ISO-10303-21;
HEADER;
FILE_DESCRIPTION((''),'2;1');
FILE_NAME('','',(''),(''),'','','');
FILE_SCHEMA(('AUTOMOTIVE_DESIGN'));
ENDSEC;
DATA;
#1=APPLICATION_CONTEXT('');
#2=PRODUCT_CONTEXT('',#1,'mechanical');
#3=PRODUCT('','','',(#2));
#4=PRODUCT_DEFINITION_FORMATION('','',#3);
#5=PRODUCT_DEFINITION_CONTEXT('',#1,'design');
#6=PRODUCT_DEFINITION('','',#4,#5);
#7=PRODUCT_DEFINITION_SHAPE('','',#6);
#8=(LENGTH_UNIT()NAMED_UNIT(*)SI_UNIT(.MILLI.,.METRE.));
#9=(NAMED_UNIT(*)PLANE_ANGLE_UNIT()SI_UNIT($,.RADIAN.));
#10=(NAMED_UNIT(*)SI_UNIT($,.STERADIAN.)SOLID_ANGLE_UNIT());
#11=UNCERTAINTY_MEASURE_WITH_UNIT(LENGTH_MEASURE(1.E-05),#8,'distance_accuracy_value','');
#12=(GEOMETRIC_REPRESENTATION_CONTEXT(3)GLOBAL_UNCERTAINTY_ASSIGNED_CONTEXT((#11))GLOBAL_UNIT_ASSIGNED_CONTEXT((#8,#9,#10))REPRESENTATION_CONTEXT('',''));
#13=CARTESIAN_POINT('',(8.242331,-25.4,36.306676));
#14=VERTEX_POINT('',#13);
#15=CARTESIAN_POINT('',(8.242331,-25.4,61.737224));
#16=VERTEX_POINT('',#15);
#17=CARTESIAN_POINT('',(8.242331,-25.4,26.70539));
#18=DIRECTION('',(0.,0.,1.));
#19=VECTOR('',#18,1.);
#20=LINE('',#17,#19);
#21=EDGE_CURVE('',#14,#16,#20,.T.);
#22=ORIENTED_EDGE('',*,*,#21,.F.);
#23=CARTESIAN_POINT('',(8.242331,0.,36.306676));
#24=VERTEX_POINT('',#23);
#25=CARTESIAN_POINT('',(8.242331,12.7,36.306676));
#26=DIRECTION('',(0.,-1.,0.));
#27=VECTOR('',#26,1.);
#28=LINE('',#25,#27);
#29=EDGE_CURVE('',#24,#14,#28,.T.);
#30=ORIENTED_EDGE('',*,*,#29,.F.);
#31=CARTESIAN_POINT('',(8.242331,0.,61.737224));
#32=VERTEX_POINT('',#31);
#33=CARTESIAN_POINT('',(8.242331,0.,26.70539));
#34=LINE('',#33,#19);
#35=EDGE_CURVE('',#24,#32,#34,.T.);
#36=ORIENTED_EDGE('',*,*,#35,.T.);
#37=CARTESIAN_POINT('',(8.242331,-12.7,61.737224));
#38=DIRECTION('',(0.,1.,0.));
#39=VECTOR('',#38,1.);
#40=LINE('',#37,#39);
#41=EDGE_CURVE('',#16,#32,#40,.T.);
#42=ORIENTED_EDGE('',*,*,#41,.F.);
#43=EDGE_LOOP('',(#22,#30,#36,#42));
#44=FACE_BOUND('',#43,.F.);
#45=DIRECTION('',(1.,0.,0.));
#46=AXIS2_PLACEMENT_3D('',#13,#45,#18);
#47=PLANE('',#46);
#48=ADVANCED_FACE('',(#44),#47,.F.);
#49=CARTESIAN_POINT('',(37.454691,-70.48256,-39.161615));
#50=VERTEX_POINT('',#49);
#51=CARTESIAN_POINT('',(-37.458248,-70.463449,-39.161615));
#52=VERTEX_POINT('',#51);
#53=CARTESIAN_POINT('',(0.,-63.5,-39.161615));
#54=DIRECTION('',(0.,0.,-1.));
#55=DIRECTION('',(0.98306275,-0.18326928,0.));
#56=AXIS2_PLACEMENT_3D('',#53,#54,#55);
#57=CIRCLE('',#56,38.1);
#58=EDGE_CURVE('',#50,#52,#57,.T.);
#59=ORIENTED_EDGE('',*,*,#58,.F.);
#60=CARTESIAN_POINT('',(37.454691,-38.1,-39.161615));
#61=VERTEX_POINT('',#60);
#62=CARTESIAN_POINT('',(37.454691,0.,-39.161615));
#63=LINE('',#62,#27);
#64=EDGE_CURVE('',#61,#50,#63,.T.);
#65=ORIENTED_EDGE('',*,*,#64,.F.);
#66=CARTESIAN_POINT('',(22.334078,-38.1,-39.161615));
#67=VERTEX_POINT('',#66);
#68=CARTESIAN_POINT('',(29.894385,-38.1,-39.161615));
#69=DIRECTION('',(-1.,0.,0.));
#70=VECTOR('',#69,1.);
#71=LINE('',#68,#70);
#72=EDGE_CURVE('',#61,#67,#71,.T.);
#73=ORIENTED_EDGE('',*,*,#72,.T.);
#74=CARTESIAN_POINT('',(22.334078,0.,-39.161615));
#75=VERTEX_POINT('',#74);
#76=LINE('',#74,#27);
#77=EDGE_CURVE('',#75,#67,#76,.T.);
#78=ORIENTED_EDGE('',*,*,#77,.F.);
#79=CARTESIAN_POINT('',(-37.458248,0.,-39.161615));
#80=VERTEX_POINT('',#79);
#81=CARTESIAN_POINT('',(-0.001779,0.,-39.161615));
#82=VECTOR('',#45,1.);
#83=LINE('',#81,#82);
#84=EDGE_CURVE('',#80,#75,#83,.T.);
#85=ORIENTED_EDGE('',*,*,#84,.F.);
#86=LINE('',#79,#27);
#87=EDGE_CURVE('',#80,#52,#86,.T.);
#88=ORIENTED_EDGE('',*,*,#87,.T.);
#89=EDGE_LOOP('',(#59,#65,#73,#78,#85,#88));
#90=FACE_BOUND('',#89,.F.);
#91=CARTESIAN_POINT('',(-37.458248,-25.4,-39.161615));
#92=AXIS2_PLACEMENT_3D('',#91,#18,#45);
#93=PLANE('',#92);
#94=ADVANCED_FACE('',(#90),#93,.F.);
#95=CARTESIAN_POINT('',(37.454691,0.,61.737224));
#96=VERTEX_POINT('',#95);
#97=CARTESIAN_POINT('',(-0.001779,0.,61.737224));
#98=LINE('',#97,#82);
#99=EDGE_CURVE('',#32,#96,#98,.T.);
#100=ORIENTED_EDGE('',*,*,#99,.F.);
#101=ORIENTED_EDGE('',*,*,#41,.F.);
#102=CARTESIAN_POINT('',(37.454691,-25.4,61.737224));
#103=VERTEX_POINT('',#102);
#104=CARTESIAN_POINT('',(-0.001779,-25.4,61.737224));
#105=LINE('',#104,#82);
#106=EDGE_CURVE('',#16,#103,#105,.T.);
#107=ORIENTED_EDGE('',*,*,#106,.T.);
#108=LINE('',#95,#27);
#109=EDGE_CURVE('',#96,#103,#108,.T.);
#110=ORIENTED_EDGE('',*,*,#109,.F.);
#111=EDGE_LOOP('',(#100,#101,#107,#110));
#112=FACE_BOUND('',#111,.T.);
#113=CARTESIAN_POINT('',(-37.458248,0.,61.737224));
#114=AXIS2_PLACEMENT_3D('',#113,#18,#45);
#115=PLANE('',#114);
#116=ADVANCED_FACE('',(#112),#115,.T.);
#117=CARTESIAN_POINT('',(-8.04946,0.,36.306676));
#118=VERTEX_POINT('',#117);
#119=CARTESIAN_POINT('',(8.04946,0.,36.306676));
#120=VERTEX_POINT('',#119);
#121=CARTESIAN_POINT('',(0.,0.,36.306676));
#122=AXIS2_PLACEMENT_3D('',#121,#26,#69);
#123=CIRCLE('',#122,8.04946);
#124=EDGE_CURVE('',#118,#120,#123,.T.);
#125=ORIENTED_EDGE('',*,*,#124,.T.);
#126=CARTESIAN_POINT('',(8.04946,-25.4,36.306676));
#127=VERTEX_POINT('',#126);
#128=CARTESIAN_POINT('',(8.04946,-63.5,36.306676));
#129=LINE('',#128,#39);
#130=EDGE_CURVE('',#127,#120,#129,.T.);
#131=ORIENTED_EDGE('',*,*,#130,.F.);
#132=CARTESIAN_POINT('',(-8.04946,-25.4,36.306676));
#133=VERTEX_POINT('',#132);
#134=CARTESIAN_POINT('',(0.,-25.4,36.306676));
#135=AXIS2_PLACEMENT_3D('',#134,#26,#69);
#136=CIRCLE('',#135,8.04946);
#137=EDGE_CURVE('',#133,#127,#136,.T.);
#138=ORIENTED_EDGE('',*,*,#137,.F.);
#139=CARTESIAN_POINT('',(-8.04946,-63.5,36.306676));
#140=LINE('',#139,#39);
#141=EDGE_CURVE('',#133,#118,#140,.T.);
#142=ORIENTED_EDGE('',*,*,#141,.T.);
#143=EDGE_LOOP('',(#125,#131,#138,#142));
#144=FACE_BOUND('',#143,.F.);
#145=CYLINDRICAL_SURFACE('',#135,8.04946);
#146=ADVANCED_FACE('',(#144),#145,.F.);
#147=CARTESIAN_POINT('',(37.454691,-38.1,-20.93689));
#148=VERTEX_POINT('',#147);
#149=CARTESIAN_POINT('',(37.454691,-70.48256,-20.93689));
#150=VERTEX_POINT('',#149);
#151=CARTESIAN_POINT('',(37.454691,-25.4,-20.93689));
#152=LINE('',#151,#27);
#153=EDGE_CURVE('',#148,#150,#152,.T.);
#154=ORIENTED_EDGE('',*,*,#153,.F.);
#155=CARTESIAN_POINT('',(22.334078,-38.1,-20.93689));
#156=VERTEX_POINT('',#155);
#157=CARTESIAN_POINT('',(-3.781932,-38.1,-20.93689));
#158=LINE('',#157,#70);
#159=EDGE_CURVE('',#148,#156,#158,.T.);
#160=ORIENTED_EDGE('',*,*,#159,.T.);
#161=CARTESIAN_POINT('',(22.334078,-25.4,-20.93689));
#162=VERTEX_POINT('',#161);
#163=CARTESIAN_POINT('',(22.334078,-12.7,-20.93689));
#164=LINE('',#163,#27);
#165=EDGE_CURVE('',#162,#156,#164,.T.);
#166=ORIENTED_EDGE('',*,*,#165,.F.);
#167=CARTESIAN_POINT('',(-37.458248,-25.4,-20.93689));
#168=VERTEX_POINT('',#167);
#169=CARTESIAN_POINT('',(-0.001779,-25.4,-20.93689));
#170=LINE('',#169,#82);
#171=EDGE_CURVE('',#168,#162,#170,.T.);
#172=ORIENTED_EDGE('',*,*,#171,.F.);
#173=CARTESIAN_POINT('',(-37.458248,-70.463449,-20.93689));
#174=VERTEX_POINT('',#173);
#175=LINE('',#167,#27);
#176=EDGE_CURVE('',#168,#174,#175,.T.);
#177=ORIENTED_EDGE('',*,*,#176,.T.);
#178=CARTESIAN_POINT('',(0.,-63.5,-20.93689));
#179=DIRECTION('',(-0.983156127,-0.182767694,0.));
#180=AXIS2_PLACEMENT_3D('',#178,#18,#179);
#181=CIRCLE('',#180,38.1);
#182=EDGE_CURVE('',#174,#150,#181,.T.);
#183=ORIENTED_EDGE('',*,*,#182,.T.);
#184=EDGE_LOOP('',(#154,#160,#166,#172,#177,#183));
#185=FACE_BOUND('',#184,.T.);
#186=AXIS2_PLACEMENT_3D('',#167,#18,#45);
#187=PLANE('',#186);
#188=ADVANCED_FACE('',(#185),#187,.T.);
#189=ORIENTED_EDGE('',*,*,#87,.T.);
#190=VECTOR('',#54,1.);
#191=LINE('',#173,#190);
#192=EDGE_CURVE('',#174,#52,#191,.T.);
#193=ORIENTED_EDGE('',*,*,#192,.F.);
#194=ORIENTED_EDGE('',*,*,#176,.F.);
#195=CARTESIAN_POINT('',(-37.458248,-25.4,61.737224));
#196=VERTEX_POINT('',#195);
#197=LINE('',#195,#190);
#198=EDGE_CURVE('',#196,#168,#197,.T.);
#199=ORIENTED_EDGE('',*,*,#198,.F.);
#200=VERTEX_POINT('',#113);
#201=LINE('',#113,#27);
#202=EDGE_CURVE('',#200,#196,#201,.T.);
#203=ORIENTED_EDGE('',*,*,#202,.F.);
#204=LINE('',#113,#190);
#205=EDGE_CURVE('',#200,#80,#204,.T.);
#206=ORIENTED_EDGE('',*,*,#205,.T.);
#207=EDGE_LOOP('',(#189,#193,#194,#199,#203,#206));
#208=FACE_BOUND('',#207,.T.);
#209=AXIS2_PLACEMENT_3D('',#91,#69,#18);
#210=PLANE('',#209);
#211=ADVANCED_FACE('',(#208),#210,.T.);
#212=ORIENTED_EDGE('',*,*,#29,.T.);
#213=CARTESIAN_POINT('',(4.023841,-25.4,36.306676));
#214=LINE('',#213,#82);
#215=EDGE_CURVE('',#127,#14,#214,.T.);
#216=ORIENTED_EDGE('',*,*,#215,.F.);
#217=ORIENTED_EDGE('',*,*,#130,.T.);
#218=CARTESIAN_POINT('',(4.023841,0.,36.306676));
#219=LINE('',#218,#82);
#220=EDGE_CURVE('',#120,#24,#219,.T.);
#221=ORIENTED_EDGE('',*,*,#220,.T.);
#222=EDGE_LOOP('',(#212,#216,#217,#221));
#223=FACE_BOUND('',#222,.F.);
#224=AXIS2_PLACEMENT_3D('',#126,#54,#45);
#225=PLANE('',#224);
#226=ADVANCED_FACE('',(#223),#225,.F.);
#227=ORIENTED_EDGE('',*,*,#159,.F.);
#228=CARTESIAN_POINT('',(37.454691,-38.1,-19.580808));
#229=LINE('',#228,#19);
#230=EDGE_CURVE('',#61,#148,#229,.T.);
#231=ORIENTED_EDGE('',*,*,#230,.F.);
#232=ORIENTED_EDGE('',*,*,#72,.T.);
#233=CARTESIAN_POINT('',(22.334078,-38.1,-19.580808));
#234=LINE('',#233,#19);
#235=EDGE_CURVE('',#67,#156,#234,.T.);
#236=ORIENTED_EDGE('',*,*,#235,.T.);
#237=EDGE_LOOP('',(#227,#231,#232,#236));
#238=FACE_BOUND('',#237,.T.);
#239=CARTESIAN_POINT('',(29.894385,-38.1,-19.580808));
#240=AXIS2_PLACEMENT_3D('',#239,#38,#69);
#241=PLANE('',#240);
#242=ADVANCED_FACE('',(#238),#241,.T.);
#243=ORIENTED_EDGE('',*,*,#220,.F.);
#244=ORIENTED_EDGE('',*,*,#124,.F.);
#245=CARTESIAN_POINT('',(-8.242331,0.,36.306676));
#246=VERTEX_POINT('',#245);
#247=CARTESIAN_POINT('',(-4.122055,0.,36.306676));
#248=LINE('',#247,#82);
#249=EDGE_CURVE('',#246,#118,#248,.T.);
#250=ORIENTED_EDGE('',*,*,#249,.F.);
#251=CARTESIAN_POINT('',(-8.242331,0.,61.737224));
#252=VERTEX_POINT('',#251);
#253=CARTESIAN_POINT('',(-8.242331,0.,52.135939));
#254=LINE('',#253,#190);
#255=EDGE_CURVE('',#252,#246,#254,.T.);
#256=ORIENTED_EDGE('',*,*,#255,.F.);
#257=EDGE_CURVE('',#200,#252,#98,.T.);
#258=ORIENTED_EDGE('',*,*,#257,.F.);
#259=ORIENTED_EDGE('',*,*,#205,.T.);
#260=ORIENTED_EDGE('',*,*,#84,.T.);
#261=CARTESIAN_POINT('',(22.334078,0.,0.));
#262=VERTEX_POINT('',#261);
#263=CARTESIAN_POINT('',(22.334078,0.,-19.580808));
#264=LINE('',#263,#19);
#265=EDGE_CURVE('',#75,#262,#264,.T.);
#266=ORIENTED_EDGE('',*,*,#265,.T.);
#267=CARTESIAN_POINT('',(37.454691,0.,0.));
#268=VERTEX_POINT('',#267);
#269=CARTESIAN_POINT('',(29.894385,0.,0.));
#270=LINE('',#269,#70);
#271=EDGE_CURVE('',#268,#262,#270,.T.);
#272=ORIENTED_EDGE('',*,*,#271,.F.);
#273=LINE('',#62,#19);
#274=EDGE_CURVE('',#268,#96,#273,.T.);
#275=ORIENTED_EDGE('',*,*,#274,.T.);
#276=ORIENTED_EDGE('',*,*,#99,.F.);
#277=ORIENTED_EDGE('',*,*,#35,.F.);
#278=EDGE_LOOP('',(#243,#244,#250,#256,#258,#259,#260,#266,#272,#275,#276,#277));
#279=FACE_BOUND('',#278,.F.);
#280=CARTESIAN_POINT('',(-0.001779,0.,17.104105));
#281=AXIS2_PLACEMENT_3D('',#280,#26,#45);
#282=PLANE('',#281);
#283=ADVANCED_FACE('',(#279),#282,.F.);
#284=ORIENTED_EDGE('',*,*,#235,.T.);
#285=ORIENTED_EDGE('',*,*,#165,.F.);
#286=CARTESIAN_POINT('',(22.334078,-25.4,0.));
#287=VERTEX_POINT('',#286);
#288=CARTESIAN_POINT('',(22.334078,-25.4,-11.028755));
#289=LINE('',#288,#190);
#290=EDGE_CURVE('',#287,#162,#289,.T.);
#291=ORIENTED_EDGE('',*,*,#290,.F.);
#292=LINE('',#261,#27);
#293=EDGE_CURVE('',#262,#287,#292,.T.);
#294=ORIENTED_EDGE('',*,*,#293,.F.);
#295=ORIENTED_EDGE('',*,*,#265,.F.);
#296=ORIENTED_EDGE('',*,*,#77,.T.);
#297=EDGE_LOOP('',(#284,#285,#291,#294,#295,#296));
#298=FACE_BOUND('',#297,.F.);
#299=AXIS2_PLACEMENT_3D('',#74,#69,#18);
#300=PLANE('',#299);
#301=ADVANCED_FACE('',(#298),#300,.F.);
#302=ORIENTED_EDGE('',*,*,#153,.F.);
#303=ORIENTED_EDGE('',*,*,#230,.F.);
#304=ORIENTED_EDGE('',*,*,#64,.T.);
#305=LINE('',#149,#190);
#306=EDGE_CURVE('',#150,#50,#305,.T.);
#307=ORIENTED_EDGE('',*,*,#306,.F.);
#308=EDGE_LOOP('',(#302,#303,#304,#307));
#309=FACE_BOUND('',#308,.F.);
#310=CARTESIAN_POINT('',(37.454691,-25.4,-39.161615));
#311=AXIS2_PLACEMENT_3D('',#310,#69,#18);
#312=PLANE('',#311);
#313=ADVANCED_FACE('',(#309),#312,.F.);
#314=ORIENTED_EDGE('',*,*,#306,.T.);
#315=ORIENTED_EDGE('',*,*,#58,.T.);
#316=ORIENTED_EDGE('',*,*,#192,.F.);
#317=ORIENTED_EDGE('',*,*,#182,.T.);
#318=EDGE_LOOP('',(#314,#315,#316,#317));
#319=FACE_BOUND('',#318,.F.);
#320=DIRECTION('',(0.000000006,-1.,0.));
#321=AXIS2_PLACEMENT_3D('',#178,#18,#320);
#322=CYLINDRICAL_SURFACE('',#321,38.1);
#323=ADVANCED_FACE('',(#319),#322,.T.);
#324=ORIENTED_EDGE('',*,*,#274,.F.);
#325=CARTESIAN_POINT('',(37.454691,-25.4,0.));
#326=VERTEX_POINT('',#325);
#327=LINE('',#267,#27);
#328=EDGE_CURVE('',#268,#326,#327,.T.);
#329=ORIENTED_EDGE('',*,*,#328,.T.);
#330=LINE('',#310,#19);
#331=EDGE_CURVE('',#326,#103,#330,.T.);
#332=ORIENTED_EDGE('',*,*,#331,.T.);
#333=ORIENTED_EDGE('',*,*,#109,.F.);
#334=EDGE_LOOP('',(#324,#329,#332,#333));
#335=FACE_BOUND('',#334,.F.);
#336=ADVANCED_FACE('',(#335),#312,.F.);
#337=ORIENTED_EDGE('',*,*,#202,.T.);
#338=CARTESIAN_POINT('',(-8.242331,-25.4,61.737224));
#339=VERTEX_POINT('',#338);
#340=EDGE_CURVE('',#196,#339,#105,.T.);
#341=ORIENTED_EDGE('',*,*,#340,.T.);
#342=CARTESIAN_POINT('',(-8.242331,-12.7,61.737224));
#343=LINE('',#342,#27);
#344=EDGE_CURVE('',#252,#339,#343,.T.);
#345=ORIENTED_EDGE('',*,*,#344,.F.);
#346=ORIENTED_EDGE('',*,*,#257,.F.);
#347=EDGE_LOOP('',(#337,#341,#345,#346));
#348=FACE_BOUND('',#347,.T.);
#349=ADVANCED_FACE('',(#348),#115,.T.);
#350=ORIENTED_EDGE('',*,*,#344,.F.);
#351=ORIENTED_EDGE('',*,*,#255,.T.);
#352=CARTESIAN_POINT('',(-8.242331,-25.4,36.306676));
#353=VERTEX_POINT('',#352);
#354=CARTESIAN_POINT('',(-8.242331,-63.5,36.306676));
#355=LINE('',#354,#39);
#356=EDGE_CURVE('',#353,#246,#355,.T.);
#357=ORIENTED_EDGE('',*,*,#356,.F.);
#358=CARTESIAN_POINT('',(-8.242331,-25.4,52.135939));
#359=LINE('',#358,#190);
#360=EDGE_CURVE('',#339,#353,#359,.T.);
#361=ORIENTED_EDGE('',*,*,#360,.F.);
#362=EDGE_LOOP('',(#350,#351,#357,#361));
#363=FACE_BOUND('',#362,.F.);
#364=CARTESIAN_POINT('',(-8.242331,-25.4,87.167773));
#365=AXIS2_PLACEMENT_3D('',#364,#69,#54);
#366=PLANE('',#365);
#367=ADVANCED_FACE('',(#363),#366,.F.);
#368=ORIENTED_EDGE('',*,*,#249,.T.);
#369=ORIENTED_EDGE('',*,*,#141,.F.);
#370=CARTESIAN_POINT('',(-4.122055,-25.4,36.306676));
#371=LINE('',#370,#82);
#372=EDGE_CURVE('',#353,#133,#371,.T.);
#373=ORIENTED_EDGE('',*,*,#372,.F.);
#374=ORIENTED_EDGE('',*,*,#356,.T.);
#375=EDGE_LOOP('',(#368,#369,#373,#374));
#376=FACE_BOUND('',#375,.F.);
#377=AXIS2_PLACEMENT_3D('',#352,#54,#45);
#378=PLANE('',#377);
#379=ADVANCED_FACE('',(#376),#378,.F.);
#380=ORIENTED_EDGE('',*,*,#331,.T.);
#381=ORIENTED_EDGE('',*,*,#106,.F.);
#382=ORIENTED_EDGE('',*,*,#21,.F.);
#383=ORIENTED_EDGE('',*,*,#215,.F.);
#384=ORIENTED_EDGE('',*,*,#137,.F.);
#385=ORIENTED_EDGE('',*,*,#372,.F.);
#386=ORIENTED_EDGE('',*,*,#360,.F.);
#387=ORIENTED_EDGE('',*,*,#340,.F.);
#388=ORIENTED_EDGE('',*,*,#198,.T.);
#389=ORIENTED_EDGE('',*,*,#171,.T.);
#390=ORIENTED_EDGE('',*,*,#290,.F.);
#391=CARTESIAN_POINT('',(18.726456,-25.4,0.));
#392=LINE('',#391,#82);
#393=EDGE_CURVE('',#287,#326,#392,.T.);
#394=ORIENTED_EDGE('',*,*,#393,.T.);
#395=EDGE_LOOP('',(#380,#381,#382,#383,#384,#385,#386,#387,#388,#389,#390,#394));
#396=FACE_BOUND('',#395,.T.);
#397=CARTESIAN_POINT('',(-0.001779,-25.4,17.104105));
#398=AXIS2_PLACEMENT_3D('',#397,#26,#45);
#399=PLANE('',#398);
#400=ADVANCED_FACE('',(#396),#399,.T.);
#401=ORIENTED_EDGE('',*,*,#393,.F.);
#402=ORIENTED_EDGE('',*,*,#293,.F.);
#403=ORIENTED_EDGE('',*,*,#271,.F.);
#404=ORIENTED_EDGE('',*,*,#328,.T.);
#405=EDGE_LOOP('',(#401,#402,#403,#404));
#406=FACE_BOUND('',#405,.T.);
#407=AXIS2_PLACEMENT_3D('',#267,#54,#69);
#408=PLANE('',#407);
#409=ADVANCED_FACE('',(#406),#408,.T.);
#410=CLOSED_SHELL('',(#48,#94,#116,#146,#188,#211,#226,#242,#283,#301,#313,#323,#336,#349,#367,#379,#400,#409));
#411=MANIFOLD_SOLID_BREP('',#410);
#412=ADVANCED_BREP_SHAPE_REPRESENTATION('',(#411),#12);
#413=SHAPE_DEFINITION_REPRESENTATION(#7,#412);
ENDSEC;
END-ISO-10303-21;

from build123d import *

# Parameters (mm, degrees)
F0_W     = 74.9129392207
F0_H     = 89.2662387341
F0_H_2   = 11.6326007992
F1_DEPTH = 25.4
F3_DEPTH = 38.1
F4_W     = 74.9129392207
F4_H     = 18.2247254997
F5_DEPTH = 76.2
F7_DEPTH = 25.4
F8_W     = 15.1206124574
F8_H     = 39.1616150737
F9_DEPTH = 38.1


with BuildPart() as f1:
    # F0 (on Front) → F1 (new body)
    with BuildSketch(Plane.XZ):
        with Locations((-0.0017788261, 17.1041050926)):
            Rectangle(F0_W, F0_H)
        with Locations((-0.0017788261, -33.3453146741)):
            Rectangle(F0_W, F0_H_2)
    extrude(amount=F1_DEPTH)

    # F2 (on face) → F3 (cut, symmetric)
    with BuildSketch(Plane.XZ.offset(25.4)):
        with BuildLine():
            Line((8.0494598543, 36.3066755235), (8.2423314452, 36.3066755235))
            Line((8.2423314452, 36.3066755235), (8.2423314452, 87.1677733958))
            Line((8.2423314452, 87.1677733958), (-8.2423314452, 87.1677733958))
            Line((-8.2423314452, 87.1677733958), (-8.2423314452, 36.3066755235))
            Line((-8.2423314452, 36.3066755235), (-8.0494598543, 36.3066755235))
            ThreePointArc((-8.0494598543, 36.3066755235), (0, 44.3561353778), (8.0494598543, 36.3066755235))
        make_face()
        with BuildLine():
            ThreePointArc((-8.0494598543, 36.3066755235), (0, 28.2572156693), (8.0494598543, 36.3066755235))
            Line((8.0494598543, 36.3066755235), (-8.0494598543, 36.3066755235))
        make_face()
        with BuildLine():
            Line((-8.0494598543, 36.3066755235), (8.0494598543, 36.3066755235))
            ThreePointArc((8.0494598543, 36.3066755235), (0, 44.3561353778), (-8.0494598543, 36.3066755235))
        make_face()
    extrude(amount=F3_DEPTH, both=True, mode=Mode.SUBTRACT)

    # F4 (on face) → F5 (join)
    with BuildSketch(Plane.XZ.offset(25.4)):
        with Locations((-0.0017788261, -30.0492523238)):
            Rectangle(F4_W, F4_H)
    extrude(amount=F5_DEPTH)

    # F6 (on face) → F7 (cut)
    with BuildSketch(Plane.XY.offset(-20.9368895739)):
        with BuildLine():
            ThreePointArc((2.131e-07, -101.6), (-24.3546974871, -92.7994660414), (-37.4582484365, -70.4634491506))
            Line((-37.4582484365, -70.4634491506), (-37.4582484365, -101.6))
            Line((-37.4582484365, -101.6), (2.131e-07, -101.6))
        make_face()
        with BuildLine():
            ThreePointArc((37.4546907842, -70.4825595779), (24.3472225116, -92.8056778794), (2.131e-07, -101.6))
            Line((2.131e-07, -101.6), (37.4546907842, -101.6))
            Line((37.4546907842, -101.6), (37.4546907842, -70.4825595779))
        make_face()
    extrude(amount=-F7_DEPTH, mode=Mode.SUBTRACT)

    # F8 (on face) → F9 (cut)
    with BuildSketch(Plane(origin=(0, 0, 0), x_dir=(-1, 0, 0), z_dir=(0, 1, 0))):
        with Locations((-29.8943845555, -19.5808075368)):
            Rectangle(F8_W, F8_H)
    extrude(amount=-F9_DEPTH, mode=Mode.SUBTRACT)


solid = f1.part
